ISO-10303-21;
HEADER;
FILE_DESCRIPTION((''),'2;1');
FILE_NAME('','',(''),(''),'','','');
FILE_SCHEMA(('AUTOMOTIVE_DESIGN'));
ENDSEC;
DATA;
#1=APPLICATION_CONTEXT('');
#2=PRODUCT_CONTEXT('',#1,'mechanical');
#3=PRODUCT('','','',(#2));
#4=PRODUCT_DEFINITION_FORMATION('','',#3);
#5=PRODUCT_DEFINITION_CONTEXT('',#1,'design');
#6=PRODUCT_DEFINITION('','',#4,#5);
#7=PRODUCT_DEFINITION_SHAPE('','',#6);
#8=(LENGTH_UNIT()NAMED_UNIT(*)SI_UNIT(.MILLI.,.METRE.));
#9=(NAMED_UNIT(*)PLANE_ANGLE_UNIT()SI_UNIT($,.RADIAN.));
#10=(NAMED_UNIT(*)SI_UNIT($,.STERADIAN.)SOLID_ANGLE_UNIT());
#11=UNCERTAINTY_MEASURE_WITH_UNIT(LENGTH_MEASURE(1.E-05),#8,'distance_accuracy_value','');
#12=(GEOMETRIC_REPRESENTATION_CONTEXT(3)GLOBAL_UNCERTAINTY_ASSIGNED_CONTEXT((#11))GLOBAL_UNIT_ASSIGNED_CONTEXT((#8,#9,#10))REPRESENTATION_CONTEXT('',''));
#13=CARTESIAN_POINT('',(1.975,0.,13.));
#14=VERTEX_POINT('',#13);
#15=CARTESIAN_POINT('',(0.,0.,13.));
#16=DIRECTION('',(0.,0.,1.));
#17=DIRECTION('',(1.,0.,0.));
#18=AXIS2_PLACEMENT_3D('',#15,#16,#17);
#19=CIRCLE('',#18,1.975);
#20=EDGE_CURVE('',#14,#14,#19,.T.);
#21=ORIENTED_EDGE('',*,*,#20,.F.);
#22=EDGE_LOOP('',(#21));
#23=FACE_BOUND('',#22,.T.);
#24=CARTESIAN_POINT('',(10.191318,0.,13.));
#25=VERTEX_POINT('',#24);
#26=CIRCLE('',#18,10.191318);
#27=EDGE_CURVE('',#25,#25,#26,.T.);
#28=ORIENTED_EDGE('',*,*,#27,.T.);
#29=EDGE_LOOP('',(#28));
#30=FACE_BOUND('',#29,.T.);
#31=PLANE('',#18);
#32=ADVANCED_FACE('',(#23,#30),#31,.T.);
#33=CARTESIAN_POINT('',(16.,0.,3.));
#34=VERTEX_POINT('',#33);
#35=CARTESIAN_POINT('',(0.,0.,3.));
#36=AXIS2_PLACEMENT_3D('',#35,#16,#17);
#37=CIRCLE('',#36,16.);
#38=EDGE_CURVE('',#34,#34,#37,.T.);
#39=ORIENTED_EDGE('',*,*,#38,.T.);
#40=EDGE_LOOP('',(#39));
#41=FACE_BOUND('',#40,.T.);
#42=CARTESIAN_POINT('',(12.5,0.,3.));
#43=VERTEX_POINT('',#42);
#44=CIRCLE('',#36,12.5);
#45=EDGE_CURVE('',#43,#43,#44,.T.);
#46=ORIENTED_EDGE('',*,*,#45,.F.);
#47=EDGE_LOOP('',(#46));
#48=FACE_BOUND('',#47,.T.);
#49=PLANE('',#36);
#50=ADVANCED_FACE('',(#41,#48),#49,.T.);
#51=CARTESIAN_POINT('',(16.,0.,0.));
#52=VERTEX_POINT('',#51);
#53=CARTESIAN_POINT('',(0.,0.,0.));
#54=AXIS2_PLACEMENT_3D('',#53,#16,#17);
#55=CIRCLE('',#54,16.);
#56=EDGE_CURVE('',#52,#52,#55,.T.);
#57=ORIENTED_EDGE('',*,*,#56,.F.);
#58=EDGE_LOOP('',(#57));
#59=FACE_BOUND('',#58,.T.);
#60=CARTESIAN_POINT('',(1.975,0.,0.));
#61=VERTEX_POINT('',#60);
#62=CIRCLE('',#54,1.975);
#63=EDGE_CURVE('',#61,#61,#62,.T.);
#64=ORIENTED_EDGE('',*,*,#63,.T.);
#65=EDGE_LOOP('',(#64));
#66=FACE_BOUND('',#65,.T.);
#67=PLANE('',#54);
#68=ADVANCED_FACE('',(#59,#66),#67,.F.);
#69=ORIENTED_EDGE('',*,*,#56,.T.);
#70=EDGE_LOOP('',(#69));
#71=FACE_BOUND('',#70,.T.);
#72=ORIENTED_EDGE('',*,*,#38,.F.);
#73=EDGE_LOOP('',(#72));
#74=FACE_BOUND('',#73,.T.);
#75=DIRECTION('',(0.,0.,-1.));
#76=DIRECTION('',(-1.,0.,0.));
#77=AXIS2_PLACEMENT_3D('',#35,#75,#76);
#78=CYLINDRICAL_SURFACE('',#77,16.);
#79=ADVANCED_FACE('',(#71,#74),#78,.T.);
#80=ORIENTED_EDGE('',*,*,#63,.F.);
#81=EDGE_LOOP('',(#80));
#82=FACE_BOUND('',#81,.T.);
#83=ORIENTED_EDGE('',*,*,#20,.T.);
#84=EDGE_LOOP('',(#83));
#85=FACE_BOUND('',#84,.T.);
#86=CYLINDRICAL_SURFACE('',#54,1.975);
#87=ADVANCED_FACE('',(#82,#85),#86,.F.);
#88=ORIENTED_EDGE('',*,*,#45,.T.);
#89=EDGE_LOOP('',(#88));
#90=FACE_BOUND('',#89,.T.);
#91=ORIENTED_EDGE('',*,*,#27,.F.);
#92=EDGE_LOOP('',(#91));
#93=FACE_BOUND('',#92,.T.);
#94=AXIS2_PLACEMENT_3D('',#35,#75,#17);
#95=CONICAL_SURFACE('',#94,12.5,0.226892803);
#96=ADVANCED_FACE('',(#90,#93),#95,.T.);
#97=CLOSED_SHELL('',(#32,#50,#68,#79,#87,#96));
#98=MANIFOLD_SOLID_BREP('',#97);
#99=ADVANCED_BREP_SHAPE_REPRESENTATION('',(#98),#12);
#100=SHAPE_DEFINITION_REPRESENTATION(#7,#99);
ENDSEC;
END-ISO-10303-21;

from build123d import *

# Parameters (mm, degrees)
SKETCH1_R           = 16
BOSS_EXTRUDE1_DEPTH = 3
SKETCH2_R           = 12.5
BOSS_EXTRUDE2_DEPTH = 10
BOSS_EXTRUDE2_TAPER = 13
SKETCH3_R           = 1.975
CUT_EXTRUDE1_DEPTH  = 27.095976701


with BuildPart() as part:
    # Sketch1 → Boss-Extrude1 (new body)
    with BuildSketch(Plane.XY):
        Circle(SKETCH1_R)
    extrude(amount=BOSS_EXTRUDE1_DEPTH)

    # Sketch2 → Boss-Extrude2 (add)
    with BuildSketch(Plane.XY.offset(3)):
        Circle(SKETCH2_R)
    extrude(amount=BOSS_EXTRUDE2_DEPTH, taper=BOSS_EXTRUDE2_TAPER)

    # Sketch3 → Cut-Extrude1 (cut, through all)
    with BuildSketch(Plane.XY.offset(13)):
        Circle(SKETCH3_R)
    extrude(amount=-CUT_EXTRUDE1_DEPTH, mode=Mode.SUBTRACT)


solid = part.part
